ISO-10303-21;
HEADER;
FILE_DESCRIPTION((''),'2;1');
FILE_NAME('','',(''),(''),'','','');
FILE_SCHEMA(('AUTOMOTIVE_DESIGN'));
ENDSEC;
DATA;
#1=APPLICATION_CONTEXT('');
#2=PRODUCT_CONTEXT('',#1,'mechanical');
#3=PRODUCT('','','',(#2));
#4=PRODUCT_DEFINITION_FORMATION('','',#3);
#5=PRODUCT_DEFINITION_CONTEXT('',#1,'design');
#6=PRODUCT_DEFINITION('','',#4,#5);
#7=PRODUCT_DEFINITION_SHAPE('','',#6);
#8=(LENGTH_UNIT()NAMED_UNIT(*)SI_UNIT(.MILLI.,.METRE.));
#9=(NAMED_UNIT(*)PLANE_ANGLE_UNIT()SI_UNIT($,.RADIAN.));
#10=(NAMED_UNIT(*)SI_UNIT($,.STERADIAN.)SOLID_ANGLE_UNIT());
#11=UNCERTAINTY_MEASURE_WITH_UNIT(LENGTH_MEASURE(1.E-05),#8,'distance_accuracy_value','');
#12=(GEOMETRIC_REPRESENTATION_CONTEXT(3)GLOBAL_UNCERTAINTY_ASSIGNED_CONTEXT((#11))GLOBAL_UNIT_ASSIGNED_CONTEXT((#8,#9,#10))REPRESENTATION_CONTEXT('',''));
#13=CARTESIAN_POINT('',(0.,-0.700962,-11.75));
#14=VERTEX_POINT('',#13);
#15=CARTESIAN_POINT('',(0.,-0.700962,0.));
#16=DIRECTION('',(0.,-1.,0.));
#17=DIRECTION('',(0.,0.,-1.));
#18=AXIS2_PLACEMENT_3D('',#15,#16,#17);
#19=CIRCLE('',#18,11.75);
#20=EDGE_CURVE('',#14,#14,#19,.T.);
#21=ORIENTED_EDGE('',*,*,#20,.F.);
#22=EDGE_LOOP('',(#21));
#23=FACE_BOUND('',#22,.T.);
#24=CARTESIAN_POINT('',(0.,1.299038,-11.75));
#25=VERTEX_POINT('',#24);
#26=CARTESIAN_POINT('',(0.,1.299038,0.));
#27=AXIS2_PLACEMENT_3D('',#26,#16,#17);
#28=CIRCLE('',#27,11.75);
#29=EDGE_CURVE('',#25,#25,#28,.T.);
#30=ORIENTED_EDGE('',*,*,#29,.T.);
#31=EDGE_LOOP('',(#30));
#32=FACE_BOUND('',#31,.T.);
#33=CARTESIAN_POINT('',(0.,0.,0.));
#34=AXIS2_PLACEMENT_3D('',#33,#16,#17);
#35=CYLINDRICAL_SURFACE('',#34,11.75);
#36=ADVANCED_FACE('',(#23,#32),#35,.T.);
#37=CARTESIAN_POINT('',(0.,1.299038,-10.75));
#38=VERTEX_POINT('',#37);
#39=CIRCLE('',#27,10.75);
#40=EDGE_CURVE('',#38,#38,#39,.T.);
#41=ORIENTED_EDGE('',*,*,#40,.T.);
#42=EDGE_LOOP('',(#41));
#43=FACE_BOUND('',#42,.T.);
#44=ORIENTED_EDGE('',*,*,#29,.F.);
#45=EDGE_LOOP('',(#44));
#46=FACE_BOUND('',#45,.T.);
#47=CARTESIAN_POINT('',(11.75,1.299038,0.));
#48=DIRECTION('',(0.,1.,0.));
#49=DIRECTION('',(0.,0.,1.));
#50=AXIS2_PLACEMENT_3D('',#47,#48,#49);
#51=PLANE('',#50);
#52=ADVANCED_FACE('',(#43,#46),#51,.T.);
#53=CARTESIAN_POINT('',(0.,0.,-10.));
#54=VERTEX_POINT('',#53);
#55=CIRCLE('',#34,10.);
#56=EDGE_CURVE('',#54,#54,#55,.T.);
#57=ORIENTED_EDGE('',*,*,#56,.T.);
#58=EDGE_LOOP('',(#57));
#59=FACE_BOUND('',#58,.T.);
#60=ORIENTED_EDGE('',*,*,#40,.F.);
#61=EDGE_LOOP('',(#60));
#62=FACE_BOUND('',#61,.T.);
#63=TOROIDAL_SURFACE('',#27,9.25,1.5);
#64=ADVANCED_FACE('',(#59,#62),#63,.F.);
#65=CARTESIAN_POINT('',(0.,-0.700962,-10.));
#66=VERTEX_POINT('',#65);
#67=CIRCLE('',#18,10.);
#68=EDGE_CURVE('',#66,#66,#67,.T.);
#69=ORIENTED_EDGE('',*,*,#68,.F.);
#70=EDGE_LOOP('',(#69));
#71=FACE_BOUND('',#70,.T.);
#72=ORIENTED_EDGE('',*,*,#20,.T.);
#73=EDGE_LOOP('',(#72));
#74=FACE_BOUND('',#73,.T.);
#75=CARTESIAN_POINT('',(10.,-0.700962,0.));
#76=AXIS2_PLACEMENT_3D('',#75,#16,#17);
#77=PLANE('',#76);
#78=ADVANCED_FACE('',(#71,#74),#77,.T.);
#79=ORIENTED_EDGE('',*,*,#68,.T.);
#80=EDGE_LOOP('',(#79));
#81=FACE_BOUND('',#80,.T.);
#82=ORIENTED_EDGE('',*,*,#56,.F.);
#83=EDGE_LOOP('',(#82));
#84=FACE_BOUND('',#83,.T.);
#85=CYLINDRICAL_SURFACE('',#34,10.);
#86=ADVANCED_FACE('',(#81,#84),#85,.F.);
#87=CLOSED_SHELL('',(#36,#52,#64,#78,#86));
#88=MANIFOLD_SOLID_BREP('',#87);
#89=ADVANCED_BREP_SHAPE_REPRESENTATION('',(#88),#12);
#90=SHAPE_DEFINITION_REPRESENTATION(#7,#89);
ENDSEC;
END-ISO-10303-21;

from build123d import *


with BuildPart() as part:
    # Sketch2 → Revolve1 (revolve)
    with BuildSketch(Plane.XY, mode=Mode.PRIVATE) as revolve1_sk:
        with BuildLine():
            Line((10, 0), (10, -0.700961894))
            Line((10, -0.700961894), (11.75, -0.700961894))
            Line((11.75, -0.700961894), (11.75, 1.299038106))
            Line((11.75, 1.299038106), (10.75, 1.299038106))
            ThreePointArc((10.75, 1.299038106), (10.549038106, 0.549038106), (10, 0))
        make_face()
    revolve(revolve1_sk.sketch.rotate(Axis((0, 0, 0), (0, 1, 0)), 90), axis=Axis((0, 0, 0), (0, 1, 0)))


solid = part.part
